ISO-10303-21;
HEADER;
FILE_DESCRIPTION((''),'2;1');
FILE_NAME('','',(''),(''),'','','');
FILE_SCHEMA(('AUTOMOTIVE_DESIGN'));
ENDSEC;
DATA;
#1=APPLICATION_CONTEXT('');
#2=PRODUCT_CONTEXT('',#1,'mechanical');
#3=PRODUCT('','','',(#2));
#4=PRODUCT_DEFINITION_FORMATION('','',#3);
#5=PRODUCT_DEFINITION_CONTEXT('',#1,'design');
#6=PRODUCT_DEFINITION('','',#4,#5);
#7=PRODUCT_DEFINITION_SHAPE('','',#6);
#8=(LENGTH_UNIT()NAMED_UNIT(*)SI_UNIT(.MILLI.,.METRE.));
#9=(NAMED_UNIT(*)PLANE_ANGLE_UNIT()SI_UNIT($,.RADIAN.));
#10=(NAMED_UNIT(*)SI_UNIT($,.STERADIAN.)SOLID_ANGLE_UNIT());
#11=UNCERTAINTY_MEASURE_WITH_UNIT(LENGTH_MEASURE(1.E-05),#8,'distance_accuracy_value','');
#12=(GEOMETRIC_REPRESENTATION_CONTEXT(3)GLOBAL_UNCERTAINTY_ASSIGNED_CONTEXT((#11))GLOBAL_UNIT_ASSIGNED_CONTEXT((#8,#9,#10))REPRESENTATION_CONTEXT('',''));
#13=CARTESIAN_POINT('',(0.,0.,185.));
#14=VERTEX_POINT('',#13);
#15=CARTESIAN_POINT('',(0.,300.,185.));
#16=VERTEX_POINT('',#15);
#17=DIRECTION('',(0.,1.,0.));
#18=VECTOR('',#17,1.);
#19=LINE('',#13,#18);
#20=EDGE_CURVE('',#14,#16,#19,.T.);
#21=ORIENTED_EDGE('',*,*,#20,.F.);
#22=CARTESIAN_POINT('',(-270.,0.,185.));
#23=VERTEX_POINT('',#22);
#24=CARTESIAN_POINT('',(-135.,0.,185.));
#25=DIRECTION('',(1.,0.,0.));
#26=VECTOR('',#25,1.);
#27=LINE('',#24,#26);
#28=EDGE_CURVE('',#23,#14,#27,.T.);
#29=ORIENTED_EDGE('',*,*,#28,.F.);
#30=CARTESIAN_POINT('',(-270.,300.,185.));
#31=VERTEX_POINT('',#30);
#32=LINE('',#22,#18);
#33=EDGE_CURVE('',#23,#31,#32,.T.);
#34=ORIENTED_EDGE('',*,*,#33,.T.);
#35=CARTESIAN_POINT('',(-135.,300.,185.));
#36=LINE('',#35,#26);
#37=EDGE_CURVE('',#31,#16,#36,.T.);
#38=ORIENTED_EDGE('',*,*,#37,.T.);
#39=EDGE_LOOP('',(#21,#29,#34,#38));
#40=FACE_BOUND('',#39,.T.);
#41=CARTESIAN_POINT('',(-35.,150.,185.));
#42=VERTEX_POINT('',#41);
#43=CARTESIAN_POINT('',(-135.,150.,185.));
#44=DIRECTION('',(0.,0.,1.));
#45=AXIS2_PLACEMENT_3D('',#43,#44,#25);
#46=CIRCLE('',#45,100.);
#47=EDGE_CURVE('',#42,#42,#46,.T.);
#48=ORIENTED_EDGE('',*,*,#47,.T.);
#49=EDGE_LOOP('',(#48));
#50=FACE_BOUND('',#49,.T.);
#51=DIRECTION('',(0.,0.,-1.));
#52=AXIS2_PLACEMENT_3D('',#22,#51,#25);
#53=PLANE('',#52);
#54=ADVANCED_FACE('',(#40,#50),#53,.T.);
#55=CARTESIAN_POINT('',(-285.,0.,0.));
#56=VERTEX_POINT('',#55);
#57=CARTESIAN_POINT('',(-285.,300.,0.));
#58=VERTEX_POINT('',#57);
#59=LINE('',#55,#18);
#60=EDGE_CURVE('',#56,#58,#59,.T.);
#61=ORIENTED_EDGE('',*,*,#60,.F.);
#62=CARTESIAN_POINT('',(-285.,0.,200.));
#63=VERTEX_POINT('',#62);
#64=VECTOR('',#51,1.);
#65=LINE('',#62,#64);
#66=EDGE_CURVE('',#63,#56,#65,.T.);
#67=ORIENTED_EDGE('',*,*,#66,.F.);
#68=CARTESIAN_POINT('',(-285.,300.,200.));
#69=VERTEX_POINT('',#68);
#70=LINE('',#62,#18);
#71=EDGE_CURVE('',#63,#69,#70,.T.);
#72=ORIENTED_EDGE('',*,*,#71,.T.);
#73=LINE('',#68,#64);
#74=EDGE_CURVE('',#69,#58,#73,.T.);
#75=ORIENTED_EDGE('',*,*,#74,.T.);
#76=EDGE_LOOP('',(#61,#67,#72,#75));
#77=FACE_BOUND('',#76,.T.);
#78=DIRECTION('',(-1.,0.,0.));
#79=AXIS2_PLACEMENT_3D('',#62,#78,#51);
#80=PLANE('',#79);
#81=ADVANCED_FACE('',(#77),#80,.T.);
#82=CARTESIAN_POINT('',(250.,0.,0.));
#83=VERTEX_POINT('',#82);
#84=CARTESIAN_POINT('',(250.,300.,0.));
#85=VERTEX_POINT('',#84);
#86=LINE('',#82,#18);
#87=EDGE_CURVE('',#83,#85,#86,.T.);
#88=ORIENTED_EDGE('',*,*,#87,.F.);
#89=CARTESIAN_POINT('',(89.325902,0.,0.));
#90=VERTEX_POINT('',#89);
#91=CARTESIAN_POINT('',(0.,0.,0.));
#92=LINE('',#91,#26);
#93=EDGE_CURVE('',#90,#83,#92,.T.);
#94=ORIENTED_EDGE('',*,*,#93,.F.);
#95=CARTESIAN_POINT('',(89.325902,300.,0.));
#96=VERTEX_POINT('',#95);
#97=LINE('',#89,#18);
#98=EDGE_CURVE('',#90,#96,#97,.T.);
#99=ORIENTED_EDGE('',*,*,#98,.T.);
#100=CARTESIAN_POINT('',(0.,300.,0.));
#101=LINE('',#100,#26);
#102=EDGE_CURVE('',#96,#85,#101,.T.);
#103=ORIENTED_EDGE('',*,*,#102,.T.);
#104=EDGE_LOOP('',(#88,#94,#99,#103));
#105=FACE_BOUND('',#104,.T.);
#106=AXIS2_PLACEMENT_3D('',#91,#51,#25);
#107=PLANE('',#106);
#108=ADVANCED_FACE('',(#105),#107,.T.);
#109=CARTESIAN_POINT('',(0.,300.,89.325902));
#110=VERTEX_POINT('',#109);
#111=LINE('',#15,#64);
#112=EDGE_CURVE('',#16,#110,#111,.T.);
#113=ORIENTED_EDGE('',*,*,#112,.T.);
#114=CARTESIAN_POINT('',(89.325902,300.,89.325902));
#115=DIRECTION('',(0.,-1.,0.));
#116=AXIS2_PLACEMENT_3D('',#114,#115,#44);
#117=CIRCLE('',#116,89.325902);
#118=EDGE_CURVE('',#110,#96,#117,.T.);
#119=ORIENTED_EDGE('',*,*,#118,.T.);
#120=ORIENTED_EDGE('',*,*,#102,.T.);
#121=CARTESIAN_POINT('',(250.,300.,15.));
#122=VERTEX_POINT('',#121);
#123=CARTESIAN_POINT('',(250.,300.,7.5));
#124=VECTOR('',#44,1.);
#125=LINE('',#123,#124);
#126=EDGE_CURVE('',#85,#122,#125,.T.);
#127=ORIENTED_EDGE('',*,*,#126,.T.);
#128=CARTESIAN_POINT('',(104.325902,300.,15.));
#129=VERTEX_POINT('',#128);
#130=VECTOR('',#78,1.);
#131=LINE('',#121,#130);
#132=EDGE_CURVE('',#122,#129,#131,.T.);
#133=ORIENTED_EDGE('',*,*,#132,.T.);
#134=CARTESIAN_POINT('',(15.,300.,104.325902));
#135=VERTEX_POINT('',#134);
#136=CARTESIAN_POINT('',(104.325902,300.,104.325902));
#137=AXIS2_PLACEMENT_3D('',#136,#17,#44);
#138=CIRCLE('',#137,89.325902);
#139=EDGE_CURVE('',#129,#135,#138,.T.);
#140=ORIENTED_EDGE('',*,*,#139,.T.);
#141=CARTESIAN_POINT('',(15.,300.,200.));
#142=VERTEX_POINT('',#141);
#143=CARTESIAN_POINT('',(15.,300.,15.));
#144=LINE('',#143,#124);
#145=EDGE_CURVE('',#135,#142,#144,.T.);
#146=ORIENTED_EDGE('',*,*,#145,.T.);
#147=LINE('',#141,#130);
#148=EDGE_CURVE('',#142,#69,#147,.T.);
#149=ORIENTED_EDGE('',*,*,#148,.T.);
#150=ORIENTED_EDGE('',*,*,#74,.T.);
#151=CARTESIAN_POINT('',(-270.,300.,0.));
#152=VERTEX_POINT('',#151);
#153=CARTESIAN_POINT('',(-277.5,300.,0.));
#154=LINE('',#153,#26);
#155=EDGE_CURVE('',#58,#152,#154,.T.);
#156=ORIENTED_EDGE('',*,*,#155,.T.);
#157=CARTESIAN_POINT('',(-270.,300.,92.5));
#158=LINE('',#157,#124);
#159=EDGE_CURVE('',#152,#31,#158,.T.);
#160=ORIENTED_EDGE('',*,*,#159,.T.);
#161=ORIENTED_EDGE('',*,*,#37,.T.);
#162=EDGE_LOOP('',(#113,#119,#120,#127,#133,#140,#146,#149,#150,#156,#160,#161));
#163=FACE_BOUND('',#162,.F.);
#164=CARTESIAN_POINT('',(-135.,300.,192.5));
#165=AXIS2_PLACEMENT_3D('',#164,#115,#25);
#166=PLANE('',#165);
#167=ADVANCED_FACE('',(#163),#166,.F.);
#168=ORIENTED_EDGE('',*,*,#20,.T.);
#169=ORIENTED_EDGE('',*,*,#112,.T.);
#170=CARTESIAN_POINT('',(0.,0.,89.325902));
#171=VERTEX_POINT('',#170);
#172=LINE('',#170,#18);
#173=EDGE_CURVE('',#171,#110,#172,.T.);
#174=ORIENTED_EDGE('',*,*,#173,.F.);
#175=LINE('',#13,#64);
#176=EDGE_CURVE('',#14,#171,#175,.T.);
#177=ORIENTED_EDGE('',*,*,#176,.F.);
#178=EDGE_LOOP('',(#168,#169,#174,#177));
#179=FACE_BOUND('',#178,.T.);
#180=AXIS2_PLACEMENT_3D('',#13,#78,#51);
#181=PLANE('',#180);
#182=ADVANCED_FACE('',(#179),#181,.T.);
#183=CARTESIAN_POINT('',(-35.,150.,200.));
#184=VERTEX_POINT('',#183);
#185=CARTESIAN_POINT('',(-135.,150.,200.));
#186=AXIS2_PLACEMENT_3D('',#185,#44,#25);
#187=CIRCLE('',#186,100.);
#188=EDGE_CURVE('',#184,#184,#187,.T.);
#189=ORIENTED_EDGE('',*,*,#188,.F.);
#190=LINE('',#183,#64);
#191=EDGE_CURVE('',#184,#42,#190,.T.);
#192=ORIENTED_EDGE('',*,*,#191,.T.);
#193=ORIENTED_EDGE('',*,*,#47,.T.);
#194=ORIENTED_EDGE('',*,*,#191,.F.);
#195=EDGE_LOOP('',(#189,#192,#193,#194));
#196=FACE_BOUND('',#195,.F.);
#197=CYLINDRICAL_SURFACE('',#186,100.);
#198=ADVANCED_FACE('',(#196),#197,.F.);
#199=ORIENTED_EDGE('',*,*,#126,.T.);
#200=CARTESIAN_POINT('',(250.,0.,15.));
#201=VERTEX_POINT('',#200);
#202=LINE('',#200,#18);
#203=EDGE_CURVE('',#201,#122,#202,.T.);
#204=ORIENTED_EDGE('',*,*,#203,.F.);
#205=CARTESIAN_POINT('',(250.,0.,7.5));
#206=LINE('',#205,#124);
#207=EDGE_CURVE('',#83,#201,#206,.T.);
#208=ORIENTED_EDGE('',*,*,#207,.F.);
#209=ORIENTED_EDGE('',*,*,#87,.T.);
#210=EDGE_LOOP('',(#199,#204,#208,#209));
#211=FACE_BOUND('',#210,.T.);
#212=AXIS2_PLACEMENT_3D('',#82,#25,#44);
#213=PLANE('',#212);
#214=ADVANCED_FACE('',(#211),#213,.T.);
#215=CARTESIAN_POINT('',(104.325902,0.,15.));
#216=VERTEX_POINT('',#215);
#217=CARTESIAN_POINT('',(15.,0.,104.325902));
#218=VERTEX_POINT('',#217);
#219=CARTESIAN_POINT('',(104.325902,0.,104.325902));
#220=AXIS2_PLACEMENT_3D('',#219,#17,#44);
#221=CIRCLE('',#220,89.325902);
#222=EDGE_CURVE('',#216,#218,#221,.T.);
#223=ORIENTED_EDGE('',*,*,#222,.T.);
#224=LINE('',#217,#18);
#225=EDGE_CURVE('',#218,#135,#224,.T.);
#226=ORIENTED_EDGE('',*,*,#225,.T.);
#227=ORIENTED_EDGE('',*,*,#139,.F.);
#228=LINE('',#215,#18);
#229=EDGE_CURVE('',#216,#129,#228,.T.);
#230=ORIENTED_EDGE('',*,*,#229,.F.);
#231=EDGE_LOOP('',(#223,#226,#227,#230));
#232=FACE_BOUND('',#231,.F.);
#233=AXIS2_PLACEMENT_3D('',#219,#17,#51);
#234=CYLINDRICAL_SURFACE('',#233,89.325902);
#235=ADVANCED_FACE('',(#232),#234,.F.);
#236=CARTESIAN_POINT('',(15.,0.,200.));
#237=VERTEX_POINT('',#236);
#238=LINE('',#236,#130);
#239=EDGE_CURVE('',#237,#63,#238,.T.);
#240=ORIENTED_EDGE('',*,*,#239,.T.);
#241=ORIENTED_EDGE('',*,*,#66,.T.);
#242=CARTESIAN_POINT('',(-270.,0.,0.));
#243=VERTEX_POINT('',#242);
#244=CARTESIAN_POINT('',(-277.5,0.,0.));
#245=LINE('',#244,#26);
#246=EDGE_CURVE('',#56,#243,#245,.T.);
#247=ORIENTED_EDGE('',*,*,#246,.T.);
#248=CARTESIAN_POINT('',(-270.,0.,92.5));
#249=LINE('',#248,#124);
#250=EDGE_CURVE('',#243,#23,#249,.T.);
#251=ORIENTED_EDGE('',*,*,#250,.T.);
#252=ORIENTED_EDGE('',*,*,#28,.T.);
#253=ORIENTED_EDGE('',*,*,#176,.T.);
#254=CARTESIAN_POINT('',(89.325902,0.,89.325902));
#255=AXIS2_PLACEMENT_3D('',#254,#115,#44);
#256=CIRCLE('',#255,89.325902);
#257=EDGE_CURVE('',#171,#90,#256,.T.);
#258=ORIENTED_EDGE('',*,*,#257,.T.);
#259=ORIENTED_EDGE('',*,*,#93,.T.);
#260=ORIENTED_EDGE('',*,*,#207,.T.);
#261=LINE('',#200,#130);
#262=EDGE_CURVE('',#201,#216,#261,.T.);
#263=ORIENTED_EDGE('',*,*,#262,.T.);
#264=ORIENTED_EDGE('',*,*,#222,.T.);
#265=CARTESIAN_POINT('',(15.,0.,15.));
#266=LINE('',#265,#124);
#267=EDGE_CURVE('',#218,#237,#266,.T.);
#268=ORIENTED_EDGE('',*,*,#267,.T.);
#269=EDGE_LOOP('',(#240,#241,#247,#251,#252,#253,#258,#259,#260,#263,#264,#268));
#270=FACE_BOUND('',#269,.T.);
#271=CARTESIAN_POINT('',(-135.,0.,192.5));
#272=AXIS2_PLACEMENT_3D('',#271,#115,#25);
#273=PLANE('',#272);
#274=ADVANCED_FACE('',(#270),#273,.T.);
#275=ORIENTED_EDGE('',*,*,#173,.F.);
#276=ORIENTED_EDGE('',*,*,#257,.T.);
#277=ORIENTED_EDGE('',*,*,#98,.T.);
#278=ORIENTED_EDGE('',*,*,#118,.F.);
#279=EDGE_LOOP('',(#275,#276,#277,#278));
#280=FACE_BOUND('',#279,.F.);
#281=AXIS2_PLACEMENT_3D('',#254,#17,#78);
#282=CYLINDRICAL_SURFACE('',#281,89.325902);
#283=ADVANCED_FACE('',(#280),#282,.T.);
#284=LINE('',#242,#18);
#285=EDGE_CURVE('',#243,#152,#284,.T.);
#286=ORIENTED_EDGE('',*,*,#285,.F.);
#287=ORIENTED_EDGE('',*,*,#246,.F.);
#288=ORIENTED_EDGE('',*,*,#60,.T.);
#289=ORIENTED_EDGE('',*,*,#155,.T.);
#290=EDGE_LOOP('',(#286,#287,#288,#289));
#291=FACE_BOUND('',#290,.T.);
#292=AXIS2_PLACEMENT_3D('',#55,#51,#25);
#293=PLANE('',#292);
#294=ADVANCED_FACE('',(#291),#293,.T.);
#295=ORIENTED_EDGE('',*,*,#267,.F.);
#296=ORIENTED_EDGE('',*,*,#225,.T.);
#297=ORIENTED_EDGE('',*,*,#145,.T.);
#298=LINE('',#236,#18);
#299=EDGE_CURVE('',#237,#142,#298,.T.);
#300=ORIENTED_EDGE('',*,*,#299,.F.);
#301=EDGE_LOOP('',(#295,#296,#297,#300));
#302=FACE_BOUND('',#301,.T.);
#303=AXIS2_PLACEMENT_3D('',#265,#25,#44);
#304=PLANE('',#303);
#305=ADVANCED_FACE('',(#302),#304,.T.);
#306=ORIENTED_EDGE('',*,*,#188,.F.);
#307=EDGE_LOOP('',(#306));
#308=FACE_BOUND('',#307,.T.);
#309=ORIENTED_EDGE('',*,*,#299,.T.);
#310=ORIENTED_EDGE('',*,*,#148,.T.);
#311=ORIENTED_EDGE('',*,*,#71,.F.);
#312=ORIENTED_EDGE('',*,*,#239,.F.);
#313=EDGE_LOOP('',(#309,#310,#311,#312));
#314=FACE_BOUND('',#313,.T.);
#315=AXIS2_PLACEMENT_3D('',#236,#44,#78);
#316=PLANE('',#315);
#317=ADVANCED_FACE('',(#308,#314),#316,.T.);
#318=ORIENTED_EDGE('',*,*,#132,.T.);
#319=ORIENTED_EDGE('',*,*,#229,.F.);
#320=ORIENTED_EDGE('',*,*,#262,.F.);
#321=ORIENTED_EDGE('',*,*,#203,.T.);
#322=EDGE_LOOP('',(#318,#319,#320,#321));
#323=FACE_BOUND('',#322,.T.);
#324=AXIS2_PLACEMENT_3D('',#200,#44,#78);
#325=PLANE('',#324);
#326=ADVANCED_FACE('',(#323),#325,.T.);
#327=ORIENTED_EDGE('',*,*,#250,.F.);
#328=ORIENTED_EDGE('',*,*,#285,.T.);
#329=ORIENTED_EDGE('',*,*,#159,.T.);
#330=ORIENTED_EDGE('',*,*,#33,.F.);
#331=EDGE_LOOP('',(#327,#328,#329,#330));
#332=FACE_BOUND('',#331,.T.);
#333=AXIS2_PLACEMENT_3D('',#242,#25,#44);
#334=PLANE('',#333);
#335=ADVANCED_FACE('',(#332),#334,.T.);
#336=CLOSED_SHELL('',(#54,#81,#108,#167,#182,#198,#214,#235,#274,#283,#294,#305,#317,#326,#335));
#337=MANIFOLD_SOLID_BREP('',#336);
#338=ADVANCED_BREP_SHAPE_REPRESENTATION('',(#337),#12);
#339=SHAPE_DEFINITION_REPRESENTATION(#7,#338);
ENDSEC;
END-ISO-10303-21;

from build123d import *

# Parameters (mm, degrees)
F0_W     = 270
F0_H     = 15
F0_W_2   = 235
F0_W_3   = 15
F0_H_2   = 185
F0_H_3   = 170
F1_DEPTH = 300
F2_R     = 100
F3_DEPTH = 15
F4_R     = 89.325902


with BuildPart() as f1:
    # F0 (on Front) → F1 (new body)
    with BuildSketch(Plane.XZ):
        with Locations((-135, 192.5)):
            Rectangle(F0_W, F0_H)
        with Locations((132.5, 7.5)):
            Rectangle(F0_W_2, F0_H)
        with Locations((-277.5, 92.5)):
            Rectangle(F0_W_3, F0_H_2)
        with Locations((7.5, 7.5)):
            Rectangle(F0_W_3, F0_H)
        with Locations((7.5, 100)):
            Rectangle(F0_W_3, F0_H_3)
        with Locations((7.5, 192.5)):
            Rectangle(F0_W_3, F0_H)
        with Locations((-277.5, 192.5)):
            Rectangle(F0_W_3, F0_H)
    extrude(amount=-F1_DEPTH)

    # F2 (on face) → F3 (cut, through all)
    with BuildSketch(Plane.XY.offset(200)):
        with Locations((-135, 150)):
            Circle(F2_R)
    extrude(amount=-F3_DEPTH, mode=Mode.SUBTRACT)

    # F4
    f4_edges = [f1.edges().sort_by_distance(p)[0] for p in [
        (15, 150, 15),
        (0, 150, 0),
    ]]
    fillet(f4_edges, radius=F4_R)


solid = f1.part
